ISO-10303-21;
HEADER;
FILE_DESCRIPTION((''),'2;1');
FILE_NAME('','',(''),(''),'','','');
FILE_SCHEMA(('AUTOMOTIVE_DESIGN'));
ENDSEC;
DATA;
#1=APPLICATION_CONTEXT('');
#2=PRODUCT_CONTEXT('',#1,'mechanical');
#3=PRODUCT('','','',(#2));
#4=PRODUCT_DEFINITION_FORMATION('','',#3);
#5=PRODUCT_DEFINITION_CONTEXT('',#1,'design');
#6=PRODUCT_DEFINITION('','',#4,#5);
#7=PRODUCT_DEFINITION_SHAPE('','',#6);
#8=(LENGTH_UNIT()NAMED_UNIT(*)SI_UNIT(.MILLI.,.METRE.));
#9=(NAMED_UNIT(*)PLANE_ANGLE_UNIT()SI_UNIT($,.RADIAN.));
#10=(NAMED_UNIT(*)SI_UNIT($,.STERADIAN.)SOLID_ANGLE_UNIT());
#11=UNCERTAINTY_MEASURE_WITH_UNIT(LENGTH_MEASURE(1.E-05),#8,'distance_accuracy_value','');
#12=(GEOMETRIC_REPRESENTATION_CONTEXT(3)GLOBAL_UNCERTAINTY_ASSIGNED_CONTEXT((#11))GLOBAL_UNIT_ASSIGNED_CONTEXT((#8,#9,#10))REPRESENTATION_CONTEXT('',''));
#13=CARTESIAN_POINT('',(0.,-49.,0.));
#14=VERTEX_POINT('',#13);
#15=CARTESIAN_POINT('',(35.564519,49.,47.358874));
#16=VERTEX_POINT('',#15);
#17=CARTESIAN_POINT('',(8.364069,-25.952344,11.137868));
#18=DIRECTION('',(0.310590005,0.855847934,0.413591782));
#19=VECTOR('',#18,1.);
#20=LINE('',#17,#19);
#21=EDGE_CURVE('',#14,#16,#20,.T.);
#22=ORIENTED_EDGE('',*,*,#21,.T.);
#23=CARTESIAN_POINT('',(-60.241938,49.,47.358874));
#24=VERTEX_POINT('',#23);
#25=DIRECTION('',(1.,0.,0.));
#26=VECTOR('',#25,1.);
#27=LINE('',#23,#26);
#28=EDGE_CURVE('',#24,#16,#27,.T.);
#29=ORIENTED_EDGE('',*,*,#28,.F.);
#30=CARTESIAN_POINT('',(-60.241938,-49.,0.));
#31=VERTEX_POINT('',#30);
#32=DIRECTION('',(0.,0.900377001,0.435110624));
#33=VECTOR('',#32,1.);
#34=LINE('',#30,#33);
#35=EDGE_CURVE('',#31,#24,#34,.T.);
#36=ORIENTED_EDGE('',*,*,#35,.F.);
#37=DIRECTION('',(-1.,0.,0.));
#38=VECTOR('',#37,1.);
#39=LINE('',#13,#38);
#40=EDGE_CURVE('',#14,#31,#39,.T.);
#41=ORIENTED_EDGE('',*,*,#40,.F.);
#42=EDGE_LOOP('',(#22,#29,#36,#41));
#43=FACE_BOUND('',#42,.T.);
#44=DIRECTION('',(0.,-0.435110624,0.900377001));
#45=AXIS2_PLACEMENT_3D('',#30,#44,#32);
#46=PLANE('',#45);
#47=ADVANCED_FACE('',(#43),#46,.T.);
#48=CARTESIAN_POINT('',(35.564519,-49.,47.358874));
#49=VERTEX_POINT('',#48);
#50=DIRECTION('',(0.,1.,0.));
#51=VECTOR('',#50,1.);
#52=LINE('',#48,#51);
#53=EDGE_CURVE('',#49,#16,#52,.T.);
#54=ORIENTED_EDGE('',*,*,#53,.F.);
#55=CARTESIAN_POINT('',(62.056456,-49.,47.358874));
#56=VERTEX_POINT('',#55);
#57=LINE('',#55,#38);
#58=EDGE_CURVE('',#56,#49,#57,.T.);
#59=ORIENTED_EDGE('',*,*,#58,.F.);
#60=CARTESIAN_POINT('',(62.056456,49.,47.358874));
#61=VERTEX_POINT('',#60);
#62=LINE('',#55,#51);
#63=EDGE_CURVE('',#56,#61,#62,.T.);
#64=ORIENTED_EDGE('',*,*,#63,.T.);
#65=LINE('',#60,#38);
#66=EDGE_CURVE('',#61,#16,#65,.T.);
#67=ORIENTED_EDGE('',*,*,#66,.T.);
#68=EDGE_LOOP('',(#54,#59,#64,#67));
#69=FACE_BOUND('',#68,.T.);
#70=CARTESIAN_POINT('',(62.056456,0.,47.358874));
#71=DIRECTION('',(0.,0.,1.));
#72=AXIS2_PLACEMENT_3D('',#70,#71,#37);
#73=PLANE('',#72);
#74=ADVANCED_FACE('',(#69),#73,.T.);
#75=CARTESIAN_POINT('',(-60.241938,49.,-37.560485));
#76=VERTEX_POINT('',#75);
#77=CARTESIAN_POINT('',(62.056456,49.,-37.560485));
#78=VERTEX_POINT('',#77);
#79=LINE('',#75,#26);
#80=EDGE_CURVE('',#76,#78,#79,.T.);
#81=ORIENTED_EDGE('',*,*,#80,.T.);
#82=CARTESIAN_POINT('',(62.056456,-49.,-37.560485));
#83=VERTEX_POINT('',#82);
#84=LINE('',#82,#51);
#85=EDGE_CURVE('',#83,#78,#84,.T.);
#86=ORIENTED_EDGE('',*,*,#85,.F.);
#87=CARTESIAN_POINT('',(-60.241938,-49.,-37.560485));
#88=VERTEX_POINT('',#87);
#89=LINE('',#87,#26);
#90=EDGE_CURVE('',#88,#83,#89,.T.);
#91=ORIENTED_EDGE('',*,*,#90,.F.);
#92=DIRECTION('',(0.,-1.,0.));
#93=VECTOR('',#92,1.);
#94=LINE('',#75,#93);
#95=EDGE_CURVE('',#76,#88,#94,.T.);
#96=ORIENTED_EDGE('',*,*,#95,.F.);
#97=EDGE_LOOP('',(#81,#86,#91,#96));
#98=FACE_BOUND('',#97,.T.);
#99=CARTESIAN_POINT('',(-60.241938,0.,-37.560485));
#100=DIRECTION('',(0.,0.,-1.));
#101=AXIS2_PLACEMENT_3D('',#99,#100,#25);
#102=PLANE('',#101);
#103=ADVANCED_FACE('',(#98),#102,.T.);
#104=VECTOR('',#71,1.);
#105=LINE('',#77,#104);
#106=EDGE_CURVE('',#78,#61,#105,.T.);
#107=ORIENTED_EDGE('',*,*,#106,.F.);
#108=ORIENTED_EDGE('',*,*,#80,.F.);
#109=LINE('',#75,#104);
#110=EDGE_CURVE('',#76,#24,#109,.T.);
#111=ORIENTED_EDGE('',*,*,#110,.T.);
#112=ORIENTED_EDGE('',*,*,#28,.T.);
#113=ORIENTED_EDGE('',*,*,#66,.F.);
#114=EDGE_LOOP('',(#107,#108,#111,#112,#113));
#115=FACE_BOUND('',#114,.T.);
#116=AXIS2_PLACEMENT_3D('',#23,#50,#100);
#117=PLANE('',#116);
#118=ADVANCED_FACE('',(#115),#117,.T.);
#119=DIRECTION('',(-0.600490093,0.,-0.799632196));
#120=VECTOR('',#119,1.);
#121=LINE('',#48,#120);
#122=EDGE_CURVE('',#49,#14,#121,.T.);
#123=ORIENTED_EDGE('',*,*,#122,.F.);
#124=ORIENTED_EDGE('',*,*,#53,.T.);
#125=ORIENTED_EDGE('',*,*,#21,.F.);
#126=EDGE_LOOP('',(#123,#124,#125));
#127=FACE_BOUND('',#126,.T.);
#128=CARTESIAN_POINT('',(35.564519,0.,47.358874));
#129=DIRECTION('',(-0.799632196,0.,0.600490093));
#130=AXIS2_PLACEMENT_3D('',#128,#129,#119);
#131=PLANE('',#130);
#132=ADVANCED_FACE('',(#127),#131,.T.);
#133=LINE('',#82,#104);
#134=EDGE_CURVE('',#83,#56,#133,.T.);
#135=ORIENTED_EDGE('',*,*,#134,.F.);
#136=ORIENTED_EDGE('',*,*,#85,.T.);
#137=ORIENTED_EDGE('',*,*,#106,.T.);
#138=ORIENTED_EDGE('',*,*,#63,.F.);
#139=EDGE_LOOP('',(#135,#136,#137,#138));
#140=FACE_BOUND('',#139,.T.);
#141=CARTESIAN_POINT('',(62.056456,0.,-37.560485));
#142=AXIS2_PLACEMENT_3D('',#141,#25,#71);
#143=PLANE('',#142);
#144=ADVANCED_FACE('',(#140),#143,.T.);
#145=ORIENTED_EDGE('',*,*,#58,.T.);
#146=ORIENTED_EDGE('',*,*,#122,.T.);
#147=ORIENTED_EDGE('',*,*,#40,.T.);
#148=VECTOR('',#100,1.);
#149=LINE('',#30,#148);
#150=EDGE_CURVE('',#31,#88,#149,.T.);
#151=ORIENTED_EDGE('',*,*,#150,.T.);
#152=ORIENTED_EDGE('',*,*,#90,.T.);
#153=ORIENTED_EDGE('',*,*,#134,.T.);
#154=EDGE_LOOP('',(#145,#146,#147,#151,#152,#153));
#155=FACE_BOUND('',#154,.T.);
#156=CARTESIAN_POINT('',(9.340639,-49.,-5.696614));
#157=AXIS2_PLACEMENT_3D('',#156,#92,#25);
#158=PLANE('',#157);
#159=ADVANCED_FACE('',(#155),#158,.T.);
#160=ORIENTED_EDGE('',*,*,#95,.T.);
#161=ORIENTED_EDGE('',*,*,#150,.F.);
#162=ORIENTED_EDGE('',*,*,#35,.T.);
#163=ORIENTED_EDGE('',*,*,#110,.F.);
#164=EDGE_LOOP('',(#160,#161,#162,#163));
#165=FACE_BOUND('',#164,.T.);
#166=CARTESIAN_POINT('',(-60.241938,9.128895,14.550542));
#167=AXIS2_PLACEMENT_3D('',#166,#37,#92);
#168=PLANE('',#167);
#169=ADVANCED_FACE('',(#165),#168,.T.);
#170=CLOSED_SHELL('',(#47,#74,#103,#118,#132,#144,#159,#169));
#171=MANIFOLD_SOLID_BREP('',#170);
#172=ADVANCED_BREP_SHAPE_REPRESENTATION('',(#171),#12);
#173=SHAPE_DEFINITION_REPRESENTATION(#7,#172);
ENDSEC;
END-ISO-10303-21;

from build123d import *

# Parameters (mm, degrees)
F1_DEPTH = 49


with BuildPart() as f1:
    # F0 (on Front) → F1 (new body, symmetric)
    with BuildSketch(Plane.XZ):
        Polygon((35.564519465, 47.3588742316), (0, 0), (-60.2419376373, 0), (-60.2419376373, -37.5604853034), (62.0564557612, -37.5604853034), (62.0564557612, 47.3588742316), align=None)
    extrude(amount=F1_DEPTH, both=True)

    # F2 (on face) → F3 (join, up to the next surface of F1)
    with BuildSketch(Plane(origin=(-60.2419376373, 0, 0), x_dir=(0, -1, 0), z_dir=(-1, 0, 0))):
        Polygon((-49, 47.3588742316), (-49, 0), (49, 0), align=None)
    extrude(until=Until.NEXT, dir=(1, 0, 0))


solid = f1.part
